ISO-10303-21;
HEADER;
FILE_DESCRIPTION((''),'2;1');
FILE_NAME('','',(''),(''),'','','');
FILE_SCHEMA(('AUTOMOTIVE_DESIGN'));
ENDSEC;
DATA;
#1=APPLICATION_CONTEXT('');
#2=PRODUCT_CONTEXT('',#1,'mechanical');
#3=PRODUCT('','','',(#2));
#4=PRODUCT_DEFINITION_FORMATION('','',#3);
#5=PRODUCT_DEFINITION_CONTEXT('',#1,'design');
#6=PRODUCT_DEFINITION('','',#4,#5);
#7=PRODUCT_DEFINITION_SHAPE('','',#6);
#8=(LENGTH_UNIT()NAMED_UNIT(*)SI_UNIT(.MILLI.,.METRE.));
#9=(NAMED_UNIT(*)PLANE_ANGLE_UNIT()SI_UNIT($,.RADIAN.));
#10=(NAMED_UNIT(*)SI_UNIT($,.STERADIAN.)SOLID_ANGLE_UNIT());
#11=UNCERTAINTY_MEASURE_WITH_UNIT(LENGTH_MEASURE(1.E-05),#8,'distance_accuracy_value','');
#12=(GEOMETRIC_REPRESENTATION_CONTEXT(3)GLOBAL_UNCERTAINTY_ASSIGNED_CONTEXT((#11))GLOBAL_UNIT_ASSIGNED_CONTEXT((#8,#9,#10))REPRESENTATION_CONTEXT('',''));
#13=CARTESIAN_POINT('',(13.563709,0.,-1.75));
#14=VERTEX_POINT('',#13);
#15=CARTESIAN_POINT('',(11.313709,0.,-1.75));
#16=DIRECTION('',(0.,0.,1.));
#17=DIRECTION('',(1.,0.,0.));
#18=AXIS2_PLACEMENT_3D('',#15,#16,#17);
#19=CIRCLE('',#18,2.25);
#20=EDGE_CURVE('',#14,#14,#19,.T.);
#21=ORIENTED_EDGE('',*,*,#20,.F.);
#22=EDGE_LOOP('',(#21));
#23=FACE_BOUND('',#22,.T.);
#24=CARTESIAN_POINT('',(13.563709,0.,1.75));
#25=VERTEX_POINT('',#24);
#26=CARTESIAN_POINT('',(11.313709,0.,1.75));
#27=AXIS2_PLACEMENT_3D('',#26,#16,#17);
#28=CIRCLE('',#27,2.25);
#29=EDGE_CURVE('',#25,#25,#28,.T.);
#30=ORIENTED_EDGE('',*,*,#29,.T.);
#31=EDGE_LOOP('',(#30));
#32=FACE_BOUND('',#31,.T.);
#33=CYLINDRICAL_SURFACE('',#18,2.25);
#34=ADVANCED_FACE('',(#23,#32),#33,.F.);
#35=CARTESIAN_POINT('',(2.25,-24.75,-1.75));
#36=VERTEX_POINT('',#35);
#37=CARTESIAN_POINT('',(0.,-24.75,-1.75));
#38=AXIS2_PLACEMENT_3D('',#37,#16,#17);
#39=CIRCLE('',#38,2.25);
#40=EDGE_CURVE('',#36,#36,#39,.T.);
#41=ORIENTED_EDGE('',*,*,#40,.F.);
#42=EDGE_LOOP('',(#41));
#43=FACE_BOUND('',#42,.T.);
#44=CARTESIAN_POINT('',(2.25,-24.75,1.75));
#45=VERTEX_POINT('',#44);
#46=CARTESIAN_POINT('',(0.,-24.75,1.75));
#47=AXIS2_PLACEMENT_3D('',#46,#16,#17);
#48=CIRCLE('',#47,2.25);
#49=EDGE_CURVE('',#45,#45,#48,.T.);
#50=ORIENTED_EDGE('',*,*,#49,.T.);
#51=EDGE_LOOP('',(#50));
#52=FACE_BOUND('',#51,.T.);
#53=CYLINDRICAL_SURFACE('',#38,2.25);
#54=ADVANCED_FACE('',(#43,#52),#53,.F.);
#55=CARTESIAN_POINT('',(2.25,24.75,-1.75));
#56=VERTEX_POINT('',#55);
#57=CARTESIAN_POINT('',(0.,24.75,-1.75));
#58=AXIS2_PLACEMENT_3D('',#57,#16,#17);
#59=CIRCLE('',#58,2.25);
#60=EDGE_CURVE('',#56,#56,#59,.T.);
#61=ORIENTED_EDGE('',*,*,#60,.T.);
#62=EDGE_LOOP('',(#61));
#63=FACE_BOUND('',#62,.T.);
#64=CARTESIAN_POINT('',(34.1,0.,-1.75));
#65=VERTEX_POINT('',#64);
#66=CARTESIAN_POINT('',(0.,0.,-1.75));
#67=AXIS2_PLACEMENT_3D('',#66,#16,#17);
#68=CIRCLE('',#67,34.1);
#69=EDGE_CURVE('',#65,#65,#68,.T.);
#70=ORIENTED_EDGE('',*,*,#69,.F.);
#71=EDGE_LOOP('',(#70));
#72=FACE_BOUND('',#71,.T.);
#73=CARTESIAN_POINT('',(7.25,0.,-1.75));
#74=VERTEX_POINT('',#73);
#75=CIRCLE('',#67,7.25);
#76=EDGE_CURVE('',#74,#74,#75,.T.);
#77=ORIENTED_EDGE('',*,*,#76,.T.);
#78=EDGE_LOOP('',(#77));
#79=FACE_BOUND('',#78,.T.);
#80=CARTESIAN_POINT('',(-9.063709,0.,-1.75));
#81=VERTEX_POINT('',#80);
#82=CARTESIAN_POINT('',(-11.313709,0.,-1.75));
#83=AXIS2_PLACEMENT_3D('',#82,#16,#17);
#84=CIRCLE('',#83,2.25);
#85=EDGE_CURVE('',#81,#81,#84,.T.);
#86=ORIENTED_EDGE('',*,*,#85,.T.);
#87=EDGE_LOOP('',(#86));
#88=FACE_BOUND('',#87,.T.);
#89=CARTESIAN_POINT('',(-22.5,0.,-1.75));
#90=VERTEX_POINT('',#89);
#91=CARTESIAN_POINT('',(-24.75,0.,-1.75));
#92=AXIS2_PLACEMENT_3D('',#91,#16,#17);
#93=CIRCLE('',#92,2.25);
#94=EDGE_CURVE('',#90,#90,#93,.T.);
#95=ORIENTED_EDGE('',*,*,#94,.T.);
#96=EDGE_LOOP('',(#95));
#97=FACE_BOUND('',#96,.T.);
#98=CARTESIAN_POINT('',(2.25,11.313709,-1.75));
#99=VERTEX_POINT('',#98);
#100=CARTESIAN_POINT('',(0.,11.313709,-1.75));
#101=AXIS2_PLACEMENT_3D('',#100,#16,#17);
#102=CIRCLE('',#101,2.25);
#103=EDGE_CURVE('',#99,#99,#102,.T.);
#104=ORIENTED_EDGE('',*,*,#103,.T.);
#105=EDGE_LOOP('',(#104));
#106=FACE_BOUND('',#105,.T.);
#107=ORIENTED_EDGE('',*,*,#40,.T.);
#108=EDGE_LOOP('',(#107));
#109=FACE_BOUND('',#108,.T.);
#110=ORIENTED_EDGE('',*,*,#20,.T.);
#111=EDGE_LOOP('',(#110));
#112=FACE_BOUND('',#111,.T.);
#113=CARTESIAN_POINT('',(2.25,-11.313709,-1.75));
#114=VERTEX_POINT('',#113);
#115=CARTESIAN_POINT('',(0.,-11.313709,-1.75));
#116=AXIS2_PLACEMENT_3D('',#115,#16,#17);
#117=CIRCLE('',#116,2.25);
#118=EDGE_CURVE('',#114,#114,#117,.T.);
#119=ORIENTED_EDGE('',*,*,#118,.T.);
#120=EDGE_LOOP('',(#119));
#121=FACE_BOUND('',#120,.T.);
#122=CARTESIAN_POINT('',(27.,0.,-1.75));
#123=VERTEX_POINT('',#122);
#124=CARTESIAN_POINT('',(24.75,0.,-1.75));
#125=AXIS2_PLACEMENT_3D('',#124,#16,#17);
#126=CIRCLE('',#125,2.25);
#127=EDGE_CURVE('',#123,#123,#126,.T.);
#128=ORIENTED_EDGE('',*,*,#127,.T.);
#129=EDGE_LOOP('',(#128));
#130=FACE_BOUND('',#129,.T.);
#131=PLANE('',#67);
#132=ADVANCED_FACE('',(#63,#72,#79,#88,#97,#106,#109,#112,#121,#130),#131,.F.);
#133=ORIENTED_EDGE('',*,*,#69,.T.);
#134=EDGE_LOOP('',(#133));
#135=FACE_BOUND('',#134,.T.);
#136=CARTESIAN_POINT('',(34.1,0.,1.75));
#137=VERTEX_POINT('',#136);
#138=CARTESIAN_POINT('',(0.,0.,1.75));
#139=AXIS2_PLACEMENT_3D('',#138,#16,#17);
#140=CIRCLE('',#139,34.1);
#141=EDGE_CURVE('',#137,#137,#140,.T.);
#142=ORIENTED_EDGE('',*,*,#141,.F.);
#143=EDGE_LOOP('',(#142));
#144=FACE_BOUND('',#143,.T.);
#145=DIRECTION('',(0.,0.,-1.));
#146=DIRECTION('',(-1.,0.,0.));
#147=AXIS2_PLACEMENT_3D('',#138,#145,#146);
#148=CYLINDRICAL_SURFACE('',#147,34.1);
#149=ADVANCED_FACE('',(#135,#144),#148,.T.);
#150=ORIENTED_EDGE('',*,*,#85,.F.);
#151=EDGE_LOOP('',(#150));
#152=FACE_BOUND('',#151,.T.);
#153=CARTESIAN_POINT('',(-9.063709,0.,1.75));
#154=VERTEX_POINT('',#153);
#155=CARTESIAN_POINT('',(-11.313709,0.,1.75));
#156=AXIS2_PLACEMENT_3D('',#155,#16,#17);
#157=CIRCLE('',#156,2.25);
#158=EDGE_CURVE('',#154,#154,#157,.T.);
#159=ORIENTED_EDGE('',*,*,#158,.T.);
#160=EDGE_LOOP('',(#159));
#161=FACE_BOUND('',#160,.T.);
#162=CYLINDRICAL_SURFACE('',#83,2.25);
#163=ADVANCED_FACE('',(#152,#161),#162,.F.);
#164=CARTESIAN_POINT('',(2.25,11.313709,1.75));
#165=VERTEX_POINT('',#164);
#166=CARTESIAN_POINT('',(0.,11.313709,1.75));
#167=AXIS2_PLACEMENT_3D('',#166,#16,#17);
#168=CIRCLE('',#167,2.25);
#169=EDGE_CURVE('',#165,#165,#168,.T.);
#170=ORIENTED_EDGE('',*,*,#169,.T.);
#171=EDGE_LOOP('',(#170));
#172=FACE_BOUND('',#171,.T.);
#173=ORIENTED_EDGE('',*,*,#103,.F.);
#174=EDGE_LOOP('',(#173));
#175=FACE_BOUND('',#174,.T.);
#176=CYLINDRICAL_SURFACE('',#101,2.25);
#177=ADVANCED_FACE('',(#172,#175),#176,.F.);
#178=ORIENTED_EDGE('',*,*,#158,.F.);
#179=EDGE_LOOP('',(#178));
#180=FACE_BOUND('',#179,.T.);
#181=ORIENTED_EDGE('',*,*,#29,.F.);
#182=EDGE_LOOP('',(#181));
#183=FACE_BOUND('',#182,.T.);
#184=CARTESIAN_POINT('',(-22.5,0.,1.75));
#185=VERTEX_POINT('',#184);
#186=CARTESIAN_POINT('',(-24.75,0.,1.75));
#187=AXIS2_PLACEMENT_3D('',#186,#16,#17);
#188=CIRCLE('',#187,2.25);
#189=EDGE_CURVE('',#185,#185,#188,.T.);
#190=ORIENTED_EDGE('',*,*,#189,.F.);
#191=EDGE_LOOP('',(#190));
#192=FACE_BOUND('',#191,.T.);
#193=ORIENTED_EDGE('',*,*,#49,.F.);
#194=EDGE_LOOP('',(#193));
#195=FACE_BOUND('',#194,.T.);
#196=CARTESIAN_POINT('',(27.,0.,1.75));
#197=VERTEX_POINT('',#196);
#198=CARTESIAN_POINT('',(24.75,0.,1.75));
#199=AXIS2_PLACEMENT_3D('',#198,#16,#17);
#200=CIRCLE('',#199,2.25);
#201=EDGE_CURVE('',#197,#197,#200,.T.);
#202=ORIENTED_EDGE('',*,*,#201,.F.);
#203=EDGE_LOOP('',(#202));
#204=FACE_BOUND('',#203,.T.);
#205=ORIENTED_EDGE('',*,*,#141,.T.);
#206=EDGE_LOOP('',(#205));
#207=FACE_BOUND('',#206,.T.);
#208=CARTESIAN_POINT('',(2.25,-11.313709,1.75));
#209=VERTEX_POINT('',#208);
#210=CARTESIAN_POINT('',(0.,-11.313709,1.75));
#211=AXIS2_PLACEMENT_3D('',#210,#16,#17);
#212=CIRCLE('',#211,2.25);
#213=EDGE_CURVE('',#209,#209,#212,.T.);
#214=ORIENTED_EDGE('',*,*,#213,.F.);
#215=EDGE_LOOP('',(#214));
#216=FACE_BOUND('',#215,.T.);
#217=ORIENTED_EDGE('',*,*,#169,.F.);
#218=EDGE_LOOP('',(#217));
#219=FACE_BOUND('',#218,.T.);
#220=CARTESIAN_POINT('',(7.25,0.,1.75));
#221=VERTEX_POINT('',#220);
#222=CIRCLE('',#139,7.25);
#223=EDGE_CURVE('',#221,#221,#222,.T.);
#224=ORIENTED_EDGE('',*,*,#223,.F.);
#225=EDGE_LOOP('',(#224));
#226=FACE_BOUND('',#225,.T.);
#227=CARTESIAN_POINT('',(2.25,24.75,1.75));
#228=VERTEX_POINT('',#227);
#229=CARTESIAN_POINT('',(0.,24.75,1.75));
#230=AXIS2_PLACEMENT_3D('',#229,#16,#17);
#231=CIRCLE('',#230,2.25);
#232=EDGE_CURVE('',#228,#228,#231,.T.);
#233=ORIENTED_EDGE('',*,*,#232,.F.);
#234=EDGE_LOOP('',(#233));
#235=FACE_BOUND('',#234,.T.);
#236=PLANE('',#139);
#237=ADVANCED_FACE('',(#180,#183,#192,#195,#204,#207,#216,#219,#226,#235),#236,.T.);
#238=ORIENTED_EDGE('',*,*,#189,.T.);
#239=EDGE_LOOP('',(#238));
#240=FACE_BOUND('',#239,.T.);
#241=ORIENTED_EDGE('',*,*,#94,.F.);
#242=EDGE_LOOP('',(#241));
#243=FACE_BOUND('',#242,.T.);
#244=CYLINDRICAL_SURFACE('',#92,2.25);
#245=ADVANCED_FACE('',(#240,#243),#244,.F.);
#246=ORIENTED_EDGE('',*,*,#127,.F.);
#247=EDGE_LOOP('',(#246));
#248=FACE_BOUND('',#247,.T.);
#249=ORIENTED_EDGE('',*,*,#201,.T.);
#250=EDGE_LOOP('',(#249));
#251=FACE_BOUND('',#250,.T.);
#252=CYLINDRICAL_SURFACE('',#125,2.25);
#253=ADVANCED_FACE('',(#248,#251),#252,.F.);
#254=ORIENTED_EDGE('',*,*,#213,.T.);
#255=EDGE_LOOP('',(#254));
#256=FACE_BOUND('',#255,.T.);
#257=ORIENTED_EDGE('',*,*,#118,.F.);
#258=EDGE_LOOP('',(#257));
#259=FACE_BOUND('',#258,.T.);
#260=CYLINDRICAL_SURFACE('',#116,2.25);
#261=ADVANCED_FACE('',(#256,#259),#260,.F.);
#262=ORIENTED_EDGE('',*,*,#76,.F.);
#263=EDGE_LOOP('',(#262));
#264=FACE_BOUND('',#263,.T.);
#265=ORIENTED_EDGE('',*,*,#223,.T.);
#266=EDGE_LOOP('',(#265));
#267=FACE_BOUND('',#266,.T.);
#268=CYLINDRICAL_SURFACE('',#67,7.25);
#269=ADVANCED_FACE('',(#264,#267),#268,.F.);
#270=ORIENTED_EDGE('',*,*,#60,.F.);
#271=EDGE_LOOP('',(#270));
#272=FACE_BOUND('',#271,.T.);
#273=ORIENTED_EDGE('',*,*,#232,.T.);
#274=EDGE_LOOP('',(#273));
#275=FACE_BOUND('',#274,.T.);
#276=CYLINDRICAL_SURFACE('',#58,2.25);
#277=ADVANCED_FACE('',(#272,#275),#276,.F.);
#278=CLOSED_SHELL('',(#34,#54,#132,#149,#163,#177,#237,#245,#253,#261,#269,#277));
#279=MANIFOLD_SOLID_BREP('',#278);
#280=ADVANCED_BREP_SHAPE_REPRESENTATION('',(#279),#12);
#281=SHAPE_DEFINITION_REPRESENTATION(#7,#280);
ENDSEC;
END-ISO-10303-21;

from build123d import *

# Parameters (mm, degrees)
SKETCH1_R           = 34.1
BOSS_EXTRUDE1_DEPTH = 1.75
SKETCH3_R           = 2.25
CUT_EXTRUDE2_DEPTH  = 49.351525312
SKETCH2_R           = 7.25
CUT_EXTRUDE1_DEPTH  = 49.351525312


with BuildPart() as part:
    # Sketch1 → Boss-Extrude1 (new, symmetric)
    with BuildSketch(Plane.XY):
        Circle(SKETCH1_R)
    extrude(amount=BOSS_EXTRUDE1_DEPTH, both=True)

    # Sketch3 → Cut-Extrude2 (cut, through all)
    with BuildSketch(Plane.XY.offset(1.75)):
        with Locations((0, 24.75)):
            Circle(SKETCH3_R)
        with Locations((0, 11.3137085)):
            Circle(SKETCH3_R)
        with Locations((24.75, 0)):
            Circle(SKETCH3_R)
        with Locations((11.3137085, 0)):
            Circle(SKETCH3_R)
        with Locations((0, -24.75)):
            Circle(SKETCH3_R)
        with Locations((0, -11.3137085)):
            Circle(SKETCH3_R)
        with Locations((-24.75, 0)):
            Circle(SKETCH3_R)
        with Locations((-11.3137085, 0)):
            Circle(SKETCH3_R)
    extrude(amount=-CUT_EXTRUDE2_DEPTH, mode=Mode.SUBTRACT)

    # Sketch2 → Cut-Extrude1 (cut, through all)
    with BuildSketch(Plane.XY.offset(1.75)):
        Circle(SKETCH2_R)
    extrude(amount=-CUT_EXTRUDE1_DEPTH, mode=Mode.SUBTRACT)


solid = part.part
